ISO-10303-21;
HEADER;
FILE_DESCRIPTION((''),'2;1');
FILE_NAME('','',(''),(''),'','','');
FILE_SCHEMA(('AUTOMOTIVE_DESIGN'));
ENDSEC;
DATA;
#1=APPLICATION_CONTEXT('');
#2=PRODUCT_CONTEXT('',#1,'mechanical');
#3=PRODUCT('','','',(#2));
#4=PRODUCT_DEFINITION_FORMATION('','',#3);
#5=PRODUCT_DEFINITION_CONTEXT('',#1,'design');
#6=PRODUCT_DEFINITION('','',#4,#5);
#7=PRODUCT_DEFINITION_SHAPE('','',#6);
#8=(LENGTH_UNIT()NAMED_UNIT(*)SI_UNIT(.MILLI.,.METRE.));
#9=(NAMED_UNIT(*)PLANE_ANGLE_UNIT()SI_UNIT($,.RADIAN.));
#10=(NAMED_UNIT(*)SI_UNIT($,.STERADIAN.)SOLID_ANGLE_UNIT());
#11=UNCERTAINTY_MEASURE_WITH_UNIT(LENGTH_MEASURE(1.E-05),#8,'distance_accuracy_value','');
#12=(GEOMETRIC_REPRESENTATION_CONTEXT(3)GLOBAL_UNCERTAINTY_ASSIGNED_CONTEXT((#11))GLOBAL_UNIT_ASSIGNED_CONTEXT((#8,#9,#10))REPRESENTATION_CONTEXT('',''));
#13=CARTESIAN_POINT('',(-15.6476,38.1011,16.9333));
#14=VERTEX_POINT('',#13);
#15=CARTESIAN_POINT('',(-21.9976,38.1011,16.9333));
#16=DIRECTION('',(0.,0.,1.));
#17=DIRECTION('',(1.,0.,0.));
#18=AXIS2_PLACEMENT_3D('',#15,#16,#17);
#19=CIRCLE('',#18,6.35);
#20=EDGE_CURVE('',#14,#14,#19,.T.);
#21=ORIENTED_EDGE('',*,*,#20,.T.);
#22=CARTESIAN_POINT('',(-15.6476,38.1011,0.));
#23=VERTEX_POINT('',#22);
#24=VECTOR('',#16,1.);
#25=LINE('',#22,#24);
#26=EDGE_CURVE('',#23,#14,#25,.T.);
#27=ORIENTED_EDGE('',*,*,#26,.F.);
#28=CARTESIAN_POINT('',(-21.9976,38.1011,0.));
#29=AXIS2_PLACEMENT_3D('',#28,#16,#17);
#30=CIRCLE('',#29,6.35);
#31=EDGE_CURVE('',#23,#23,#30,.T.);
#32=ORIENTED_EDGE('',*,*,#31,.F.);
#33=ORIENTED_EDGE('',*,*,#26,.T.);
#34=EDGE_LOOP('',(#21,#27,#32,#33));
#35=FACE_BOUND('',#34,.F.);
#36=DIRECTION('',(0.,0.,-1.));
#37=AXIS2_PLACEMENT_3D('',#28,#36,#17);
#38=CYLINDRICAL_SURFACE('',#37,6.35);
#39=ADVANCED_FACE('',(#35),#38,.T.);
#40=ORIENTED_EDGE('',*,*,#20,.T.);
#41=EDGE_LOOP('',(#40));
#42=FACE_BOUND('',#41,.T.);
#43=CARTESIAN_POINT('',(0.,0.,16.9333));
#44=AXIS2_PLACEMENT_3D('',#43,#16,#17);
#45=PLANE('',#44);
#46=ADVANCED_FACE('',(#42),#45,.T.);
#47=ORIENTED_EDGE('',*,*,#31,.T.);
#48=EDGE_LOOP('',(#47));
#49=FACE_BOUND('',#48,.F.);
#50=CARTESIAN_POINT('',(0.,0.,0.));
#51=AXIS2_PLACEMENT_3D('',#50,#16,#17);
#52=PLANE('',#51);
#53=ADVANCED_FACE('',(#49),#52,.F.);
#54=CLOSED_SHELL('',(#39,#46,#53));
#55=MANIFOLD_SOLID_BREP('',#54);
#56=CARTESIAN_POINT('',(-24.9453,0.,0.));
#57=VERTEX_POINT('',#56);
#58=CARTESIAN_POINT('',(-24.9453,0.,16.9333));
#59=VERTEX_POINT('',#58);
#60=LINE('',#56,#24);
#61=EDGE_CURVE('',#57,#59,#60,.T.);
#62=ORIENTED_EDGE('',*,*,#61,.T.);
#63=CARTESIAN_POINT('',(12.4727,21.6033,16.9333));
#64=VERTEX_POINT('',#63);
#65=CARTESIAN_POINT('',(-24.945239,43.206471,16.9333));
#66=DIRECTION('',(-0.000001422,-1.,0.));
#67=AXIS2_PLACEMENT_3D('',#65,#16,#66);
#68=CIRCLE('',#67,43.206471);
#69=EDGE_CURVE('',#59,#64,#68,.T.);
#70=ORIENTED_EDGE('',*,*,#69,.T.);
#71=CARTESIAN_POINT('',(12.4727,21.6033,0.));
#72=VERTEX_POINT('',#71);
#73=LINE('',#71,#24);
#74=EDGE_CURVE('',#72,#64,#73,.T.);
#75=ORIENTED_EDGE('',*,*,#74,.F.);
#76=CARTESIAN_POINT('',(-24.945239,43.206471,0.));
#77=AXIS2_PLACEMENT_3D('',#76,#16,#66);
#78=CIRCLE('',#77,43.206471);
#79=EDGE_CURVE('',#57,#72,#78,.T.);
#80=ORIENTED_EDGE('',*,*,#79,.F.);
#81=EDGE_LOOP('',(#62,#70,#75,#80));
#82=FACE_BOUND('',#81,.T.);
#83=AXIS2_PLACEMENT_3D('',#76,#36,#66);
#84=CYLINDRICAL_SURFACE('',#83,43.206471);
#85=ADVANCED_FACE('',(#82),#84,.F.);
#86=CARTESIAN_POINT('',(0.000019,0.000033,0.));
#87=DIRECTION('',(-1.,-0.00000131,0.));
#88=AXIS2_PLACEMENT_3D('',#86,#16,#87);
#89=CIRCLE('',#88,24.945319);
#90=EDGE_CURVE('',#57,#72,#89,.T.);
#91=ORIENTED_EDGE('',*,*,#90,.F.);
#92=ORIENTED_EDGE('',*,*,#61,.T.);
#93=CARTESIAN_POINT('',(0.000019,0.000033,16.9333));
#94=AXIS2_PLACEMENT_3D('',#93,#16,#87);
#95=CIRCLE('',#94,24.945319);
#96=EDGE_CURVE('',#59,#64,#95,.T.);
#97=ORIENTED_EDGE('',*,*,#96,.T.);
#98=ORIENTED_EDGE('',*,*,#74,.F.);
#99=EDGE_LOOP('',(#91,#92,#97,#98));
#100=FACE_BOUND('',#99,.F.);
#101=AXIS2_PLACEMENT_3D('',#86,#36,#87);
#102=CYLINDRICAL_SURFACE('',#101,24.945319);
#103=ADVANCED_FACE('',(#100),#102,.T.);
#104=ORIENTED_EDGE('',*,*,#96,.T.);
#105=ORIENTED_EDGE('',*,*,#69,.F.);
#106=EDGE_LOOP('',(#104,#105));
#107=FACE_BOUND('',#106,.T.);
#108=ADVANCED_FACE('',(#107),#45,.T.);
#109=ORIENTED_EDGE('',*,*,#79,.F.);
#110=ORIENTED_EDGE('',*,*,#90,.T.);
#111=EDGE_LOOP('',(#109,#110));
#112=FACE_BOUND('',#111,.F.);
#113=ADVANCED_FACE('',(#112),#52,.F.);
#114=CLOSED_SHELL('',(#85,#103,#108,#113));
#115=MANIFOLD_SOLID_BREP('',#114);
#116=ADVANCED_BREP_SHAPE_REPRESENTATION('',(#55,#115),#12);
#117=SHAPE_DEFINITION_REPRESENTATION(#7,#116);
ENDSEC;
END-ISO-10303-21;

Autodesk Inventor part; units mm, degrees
ref_plane "YZ Plane" through (0, 0, 0) normal (1, 0, 0) x (0, 1, 0)
ref_plane "XZ Plane" through (0, 0, 0) normal (0, 1, 0) x (-1, 0, 0)
ref_plane "XY Plane" through (0, 0, 0) normal (0, 0, 1) x (1, 0, 0)
sketch "Sketch1" plane through (0, 0, 0) normal (0, 0, 1) x (1, 0, 0)
  line L0 (0, 0) -> (-87.9881, 0) construction
  line L1 (-87.9881, 0) -> (-21.9976, 38.1011) construction
  line L2 (-21.9976, 38.1011) -> (0, 0) construction
  arc A0 (-24.9453, 0) -> (12.4727, 21.6033) centre (0, 0) ccw
  line L3 (-24.9453, 0) -> (-24.9453, 43.2067) construction
  line L4 (-24.9453, 43.2067) -> (-21.9976, 38.1011) construction
  circle A1 centre (-21.9976, 38.1011) radius 6.35
  arc A2 (-24.9453, 0) -> (12.4727, 21.6033) centre (-24.9453, 43.2067) ccw
  dimension "d8" = 87.9881
  dimension "d9" = 43.9953
  dimension "d10" = 76.2
  dimension "d11" = 24.9453
  dimension "d12" = 12.7
extrude "Extrusion1" add sketch "Sketch1" along normal blind 16.9333
properties part number "Geneva Drive"
